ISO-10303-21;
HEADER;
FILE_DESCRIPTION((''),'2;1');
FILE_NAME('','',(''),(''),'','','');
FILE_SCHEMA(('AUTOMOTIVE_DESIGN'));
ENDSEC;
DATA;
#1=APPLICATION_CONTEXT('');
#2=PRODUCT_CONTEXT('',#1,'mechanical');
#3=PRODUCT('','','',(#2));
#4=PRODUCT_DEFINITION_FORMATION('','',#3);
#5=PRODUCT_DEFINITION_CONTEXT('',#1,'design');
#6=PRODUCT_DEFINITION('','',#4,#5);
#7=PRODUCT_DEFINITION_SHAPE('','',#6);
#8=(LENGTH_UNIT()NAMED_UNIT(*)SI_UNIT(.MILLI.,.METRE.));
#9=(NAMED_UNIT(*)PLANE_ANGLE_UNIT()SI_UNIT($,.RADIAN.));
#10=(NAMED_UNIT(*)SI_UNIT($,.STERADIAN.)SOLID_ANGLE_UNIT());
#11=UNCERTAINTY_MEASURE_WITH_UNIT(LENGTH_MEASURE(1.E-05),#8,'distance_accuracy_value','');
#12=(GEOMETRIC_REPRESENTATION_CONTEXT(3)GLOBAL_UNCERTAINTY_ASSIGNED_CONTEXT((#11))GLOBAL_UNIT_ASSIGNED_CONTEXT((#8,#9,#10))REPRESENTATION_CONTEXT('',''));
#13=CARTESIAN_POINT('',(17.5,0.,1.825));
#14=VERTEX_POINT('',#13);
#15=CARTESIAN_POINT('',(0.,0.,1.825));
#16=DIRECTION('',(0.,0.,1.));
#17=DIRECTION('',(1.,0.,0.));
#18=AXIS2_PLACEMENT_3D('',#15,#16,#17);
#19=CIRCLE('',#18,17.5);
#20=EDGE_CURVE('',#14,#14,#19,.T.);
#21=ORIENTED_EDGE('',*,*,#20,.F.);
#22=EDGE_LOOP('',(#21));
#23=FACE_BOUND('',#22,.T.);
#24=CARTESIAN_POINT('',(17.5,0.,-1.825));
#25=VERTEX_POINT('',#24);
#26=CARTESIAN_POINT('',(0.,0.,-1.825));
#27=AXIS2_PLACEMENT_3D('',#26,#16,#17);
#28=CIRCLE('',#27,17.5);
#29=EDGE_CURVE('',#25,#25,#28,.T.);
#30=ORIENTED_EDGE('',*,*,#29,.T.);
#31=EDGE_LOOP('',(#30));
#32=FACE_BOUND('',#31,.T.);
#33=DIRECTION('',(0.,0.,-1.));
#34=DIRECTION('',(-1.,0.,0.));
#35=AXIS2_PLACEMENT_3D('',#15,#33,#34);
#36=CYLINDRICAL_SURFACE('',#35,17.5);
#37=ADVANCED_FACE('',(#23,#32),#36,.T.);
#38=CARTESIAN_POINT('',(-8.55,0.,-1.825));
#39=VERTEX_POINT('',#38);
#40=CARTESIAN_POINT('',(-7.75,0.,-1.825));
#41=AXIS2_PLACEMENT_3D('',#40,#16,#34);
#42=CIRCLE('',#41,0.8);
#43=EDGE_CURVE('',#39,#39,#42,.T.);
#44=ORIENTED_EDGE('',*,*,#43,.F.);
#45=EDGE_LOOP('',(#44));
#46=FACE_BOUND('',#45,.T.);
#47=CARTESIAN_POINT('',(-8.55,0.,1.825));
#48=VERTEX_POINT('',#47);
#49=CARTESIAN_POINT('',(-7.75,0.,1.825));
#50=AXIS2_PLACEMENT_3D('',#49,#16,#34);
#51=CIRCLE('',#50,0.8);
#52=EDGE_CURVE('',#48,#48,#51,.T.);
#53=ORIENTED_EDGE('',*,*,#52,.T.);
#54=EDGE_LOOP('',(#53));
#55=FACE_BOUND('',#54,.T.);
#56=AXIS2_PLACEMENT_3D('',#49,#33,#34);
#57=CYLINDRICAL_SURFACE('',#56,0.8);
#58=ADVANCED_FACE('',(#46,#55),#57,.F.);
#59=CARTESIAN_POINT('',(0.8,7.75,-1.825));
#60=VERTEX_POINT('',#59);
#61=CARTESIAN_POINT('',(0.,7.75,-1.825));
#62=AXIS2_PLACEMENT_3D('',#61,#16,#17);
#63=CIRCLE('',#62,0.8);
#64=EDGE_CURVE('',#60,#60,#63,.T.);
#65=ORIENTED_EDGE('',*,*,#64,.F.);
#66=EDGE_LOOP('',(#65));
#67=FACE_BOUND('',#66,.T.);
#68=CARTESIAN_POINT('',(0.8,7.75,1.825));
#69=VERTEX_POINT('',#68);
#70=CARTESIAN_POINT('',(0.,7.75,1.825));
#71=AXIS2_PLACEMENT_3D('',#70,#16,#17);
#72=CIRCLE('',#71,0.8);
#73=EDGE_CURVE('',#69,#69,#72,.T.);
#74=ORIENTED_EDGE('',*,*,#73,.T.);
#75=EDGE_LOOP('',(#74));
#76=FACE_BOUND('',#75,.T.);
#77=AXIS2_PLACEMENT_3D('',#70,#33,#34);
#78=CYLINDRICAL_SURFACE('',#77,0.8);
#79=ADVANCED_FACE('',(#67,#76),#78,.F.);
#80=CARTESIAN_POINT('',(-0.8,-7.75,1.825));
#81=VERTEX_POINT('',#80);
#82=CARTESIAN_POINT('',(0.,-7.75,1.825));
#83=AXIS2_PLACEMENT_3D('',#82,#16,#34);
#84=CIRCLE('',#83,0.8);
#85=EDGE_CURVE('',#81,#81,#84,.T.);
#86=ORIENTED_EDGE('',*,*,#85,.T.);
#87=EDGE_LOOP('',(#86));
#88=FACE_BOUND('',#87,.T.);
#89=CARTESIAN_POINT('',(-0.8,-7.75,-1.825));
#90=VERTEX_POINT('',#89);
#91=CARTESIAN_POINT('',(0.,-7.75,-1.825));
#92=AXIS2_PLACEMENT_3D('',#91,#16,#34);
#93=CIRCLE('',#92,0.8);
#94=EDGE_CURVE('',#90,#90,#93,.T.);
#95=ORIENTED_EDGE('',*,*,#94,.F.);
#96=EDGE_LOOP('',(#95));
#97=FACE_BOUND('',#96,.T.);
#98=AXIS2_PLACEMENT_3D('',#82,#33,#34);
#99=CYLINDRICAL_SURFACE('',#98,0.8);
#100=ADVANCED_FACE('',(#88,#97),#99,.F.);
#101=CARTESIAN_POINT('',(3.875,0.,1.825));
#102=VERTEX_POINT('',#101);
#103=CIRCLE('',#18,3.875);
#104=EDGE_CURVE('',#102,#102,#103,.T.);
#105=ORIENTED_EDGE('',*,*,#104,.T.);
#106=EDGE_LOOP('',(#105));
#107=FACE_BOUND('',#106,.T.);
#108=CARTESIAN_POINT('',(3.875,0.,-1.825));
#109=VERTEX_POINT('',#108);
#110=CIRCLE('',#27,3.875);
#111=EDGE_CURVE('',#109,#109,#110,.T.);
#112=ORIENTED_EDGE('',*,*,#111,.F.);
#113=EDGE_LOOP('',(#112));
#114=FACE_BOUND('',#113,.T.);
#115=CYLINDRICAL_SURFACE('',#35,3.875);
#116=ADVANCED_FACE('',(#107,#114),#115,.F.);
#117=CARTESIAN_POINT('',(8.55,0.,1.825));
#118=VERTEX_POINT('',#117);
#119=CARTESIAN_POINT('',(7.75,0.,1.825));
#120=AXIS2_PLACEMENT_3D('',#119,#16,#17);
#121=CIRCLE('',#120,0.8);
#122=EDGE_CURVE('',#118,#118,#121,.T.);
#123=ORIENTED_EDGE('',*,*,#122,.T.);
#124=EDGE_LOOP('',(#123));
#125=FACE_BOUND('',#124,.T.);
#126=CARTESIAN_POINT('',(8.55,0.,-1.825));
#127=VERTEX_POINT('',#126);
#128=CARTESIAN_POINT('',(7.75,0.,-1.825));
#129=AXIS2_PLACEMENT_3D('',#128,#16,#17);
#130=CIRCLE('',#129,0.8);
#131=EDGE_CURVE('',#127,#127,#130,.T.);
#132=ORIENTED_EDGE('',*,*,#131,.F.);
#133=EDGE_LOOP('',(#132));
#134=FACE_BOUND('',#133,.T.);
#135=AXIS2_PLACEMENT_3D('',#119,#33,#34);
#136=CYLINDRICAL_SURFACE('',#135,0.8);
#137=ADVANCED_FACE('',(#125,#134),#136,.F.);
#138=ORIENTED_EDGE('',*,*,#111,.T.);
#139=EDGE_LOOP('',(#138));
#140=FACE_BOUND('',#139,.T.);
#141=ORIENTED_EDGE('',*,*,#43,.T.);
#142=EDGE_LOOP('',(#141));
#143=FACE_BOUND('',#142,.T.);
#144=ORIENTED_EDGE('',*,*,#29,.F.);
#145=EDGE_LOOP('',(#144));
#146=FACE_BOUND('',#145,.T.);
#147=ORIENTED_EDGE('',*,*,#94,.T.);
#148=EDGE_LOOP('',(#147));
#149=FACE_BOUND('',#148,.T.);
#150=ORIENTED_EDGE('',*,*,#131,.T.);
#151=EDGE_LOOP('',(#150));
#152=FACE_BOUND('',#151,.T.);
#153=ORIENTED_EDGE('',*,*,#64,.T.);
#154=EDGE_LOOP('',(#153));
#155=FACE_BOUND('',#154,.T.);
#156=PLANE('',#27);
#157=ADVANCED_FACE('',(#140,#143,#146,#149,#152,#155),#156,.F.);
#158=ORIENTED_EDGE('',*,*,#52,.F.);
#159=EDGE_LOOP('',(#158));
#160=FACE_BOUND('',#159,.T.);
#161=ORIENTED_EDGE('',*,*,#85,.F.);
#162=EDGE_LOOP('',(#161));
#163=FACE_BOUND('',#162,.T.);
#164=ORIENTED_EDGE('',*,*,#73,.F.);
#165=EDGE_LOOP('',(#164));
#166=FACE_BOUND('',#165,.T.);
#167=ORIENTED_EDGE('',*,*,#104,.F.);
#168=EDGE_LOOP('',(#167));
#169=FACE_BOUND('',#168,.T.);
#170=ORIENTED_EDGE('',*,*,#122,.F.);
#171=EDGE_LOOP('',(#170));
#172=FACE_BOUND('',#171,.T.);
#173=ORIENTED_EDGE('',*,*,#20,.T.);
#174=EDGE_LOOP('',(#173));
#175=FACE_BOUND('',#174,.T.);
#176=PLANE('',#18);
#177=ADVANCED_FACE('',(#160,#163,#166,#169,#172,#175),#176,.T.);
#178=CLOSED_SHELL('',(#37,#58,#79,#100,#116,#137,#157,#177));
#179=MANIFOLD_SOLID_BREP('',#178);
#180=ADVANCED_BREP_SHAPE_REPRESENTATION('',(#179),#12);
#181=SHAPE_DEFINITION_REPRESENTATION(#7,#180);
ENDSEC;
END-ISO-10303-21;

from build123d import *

# Parameters (mm, degrees)
SKETCH1_R           = 17.5
SKETCH1_R_2         = 3.875
SKETCH1_R_3         = 0.8
BOSS_EXTRUDE1_DEPTH = 1.825


with BuildPart() as part:
    # Sketch1 → Boss-Extrude1 (new, symmetric)
    with BuildSketch(Plane.XY):
        Circle(SKETCH1_R)
        Circle(SKETCH1_R_2, mode=Mode.SUBTRACT)
        with Locations((7.75, 0)):
            Circle(SKETCH1_R_3, mode=Mode.SUBTRACT)
        with Locations((0, 7.75)):
            Circle(SKETCH1_R_3, mode=Mode.SUBTRACT)
        with Locations(Location((-7.75, 0, 0), (0, 0, 180))):
            Circle(SKETCH1_R_3, mode=Mode.SUBTRACT)
        with Locations(Location((0, -7.75, 0), (0, 0, 180))):
            Circle(SKETCH1_R_3, mode=Mode.SUBTRACT)
    extrude(amount=BOSS_EXTRUDE1_DEPTH, both=True)


solid = part.part
